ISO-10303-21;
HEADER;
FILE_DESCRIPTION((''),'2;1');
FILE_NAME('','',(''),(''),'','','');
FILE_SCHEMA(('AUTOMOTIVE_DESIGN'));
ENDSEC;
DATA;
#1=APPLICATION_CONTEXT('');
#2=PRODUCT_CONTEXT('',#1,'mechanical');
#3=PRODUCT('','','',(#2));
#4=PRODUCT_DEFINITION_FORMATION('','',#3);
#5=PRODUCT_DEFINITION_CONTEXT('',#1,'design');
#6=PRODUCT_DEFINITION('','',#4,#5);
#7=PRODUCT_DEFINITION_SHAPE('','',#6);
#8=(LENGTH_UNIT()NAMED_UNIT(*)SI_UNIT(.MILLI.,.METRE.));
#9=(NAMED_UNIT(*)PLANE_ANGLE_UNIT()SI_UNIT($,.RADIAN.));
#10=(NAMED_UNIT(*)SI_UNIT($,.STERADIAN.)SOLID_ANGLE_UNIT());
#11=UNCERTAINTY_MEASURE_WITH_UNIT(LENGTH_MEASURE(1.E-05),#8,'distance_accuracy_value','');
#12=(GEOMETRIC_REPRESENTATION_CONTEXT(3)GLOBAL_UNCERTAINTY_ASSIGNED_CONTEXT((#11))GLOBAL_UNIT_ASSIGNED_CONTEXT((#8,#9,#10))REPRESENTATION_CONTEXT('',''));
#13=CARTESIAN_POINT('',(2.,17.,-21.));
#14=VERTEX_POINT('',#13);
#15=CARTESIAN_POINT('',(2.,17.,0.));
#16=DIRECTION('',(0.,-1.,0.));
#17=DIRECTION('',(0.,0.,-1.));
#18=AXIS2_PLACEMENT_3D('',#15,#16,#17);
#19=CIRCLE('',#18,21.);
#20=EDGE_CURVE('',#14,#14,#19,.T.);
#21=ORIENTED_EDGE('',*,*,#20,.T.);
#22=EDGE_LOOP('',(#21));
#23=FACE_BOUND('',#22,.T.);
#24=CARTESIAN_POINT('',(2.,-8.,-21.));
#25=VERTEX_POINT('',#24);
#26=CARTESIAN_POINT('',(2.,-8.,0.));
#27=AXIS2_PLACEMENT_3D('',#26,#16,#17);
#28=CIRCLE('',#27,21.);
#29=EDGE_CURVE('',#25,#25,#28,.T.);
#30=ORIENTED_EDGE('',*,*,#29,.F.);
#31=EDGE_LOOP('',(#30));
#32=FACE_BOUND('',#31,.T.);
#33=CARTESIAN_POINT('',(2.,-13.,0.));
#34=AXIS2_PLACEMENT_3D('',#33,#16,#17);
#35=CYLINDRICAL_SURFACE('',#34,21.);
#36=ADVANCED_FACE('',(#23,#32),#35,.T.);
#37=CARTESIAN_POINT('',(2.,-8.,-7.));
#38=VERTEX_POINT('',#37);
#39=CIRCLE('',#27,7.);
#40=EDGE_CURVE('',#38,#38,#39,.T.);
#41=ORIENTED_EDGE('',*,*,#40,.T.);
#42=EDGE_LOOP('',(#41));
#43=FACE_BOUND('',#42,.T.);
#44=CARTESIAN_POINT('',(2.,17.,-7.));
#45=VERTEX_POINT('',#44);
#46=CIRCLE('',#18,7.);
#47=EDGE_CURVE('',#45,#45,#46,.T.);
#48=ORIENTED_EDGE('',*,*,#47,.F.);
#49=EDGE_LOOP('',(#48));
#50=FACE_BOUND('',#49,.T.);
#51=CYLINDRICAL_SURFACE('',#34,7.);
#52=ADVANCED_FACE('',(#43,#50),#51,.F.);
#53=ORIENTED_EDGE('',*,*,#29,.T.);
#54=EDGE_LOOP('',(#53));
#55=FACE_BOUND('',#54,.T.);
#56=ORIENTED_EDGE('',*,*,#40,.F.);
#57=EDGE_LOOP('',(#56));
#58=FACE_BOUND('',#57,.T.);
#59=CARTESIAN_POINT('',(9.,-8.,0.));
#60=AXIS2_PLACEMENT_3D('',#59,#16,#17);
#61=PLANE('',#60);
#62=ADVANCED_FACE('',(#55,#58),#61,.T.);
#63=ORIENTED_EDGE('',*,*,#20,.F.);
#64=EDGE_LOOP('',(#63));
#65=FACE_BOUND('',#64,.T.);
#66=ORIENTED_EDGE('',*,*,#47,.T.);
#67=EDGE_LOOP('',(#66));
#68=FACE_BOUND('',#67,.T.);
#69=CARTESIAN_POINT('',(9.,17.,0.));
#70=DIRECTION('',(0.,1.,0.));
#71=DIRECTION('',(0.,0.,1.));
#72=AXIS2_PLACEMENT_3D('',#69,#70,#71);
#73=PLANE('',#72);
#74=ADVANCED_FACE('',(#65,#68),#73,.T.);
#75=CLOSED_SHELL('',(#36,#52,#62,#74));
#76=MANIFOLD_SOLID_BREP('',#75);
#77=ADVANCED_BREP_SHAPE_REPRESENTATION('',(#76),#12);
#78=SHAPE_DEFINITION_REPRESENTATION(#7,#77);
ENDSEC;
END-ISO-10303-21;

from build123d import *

# Parameters (mm, degrees)
REVOLVESKETCH_W = 14
REVOLVESKETCH_H = 25


with BuildPart() as part:
    # RevolveSketch → OrdinaryBossRevolve (revolve)
    with BuildSketch(Plane.XY, mode=Mode.PRIVATE) as ordinarybossrevolve_sk:
        with Locations((16, 4.5)):
            Rectangle(REVOLVESKETCH_W, REVOLVESKETCH_H)
    revolve(ordinarybossrevolve_sk.sketch.rotate(Axis((2, -13, 0), (0, 1, 0)), 90), axis=Axis((2, -13, 0), (0, 1, 0)))


solid = part.part
